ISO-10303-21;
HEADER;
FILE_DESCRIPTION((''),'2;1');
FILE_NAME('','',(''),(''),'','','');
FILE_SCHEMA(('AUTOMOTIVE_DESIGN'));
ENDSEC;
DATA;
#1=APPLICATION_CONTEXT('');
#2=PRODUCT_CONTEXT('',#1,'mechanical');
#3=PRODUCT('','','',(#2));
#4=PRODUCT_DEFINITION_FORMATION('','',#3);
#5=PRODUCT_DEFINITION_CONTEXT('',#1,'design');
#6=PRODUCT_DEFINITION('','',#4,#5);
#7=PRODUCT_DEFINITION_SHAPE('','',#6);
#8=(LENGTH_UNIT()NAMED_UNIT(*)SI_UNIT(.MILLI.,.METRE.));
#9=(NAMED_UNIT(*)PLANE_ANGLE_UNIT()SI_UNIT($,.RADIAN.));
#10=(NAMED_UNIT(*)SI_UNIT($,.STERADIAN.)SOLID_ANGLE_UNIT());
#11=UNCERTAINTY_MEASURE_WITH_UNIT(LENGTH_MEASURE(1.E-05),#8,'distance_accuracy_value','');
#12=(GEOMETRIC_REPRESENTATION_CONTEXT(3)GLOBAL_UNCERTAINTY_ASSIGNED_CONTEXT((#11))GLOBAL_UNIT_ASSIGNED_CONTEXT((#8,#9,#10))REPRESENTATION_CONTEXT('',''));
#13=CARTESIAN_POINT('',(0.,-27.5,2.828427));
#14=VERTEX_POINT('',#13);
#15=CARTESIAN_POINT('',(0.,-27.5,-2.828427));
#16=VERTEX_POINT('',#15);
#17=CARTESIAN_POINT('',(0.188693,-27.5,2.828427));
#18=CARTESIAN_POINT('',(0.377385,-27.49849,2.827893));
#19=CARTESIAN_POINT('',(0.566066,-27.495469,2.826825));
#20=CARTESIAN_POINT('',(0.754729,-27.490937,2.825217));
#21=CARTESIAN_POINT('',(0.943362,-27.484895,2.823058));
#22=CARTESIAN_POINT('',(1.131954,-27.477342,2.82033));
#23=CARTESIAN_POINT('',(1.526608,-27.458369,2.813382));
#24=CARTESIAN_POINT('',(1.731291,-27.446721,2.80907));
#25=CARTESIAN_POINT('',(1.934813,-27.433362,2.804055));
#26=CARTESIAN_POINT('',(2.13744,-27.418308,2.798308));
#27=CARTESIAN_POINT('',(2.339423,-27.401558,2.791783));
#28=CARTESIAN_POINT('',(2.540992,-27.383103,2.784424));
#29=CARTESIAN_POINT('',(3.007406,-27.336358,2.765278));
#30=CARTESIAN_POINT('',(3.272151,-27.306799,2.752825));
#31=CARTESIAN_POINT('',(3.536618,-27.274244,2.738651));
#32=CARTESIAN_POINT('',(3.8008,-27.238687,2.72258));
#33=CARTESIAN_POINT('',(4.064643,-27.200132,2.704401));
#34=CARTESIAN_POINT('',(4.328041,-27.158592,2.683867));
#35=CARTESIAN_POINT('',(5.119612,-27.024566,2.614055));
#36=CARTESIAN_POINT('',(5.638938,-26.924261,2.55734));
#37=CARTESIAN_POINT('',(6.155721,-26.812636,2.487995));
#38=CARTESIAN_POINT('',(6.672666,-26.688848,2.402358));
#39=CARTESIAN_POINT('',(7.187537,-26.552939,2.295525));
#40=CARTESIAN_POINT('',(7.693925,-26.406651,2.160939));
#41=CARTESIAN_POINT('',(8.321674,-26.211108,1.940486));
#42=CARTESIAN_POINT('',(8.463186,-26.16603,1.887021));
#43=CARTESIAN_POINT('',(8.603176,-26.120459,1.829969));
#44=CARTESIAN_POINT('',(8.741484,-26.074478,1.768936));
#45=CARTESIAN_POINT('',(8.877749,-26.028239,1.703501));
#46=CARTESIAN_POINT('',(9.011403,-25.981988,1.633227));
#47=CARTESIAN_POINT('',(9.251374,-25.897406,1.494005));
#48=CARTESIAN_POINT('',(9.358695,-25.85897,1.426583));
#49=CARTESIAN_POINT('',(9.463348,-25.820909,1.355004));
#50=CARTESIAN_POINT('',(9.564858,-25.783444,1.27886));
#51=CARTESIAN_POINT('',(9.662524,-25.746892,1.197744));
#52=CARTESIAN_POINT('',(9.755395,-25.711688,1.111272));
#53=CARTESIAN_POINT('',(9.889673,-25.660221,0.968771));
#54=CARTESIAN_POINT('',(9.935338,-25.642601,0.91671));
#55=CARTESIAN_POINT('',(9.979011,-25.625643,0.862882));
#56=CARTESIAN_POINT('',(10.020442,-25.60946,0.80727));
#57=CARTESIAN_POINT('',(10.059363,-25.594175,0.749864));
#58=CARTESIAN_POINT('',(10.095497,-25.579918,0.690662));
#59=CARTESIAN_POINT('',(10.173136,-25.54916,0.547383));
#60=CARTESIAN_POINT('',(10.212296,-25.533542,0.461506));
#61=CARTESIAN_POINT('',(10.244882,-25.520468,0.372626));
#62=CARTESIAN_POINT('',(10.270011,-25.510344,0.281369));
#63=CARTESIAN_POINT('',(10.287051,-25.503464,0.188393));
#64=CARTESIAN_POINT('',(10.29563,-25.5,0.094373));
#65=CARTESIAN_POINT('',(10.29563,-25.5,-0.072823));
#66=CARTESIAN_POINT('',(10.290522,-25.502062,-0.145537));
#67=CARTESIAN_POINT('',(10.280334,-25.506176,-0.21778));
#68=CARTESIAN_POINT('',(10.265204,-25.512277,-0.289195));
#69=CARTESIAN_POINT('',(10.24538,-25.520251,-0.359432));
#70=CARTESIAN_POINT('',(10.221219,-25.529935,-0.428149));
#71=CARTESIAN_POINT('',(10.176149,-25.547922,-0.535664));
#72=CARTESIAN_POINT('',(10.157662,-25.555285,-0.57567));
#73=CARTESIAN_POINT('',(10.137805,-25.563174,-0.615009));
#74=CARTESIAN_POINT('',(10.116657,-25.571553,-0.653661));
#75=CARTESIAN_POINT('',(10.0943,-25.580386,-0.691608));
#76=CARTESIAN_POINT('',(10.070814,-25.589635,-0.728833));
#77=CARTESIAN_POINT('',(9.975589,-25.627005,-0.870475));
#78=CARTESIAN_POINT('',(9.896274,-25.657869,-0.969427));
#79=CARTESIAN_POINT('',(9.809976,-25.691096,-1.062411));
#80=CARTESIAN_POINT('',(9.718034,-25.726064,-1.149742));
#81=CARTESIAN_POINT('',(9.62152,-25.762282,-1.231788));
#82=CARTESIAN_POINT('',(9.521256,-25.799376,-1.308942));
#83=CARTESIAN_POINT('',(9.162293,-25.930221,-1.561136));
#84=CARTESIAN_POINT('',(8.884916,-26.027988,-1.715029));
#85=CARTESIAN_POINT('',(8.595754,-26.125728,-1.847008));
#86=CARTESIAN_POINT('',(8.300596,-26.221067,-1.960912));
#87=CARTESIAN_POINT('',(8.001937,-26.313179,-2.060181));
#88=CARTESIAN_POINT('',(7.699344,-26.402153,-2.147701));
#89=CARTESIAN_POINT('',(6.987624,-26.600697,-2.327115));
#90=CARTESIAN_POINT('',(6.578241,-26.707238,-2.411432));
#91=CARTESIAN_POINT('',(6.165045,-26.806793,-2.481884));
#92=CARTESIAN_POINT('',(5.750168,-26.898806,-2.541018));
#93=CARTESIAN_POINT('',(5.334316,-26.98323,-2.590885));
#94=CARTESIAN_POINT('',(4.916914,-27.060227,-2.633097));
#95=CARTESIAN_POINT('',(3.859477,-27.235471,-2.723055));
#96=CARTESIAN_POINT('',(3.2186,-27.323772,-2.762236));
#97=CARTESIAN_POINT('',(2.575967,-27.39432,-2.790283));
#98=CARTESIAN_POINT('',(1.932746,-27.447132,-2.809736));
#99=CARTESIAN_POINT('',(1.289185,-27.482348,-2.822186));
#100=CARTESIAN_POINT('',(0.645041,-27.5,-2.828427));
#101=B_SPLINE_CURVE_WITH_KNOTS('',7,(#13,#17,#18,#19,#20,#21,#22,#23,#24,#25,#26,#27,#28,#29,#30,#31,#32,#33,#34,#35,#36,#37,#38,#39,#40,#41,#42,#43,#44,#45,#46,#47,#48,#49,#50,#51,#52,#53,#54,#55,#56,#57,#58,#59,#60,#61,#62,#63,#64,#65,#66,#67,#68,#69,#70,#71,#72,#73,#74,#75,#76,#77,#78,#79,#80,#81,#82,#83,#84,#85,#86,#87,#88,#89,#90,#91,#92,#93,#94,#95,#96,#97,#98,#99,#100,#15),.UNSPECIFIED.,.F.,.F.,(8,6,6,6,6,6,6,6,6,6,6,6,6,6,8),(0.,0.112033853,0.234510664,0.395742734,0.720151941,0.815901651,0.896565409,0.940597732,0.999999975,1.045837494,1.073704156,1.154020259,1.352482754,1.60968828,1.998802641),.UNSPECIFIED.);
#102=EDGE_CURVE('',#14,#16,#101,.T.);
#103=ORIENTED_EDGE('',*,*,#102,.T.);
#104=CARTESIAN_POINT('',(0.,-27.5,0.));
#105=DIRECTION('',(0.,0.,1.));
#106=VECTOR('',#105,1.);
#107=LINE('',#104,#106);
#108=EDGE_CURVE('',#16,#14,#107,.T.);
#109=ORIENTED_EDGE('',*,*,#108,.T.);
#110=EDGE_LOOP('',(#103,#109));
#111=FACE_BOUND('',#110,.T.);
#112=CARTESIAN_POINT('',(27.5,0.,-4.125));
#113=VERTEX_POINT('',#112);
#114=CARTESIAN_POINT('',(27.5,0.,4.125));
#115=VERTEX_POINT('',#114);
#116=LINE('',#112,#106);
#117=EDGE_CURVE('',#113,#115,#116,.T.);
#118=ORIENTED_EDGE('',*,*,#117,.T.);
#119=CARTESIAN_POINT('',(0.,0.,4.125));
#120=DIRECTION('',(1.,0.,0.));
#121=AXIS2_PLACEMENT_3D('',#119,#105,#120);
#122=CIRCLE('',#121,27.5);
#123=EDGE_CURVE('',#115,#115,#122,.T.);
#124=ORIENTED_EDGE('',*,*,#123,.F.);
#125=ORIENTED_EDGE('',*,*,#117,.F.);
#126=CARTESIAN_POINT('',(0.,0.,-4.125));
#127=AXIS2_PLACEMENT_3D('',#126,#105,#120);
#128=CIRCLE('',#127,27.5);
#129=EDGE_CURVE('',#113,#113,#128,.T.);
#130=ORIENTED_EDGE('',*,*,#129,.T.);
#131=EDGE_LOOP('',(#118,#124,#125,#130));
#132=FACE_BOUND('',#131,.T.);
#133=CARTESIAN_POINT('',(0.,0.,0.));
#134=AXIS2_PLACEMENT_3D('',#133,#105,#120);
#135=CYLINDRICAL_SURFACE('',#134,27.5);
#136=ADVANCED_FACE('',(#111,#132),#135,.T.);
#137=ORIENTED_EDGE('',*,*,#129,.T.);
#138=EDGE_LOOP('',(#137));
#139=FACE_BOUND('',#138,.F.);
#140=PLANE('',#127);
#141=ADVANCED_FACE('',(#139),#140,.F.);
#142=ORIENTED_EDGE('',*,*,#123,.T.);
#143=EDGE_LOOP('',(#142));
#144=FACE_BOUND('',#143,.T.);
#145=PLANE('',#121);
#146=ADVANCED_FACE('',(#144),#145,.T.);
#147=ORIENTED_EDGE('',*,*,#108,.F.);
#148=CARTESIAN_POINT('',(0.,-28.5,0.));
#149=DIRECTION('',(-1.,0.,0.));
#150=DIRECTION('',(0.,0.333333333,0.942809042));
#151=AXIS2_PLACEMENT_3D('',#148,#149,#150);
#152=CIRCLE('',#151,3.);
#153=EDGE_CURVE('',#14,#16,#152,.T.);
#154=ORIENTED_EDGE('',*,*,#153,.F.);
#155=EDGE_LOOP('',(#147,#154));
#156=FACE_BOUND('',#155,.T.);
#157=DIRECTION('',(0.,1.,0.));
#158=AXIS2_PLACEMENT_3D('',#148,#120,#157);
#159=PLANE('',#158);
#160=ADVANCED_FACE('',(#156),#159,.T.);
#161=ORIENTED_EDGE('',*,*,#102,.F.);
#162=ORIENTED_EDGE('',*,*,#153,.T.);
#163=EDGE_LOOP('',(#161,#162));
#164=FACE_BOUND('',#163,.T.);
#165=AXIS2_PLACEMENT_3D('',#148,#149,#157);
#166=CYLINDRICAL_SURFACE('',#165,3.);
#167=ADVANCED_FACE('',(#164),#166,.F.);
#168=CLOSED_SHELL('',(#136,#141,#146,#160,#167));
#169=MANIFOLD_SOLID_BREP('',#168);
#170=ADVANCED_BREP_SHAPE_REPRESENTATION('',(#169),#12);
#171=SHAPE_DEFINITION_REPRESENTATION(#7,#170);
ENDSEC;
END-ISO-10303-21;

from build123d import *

# Parameters (mm, degrees)
F0_R     = 27.5
F1_DEPTH = 4.125
F2_R     = 3
F3_DEPTH = 25


with BuildPart() as f1:
    # F0 (on Top) → F1 (new body, symmetric)
    with BuildSketch(Plane.XY):
        Circle(F0_R)
    extrude(amount=F1_DEPTH, both=True)

    # F2 (on Right) → F3 (cut)
    with BuildSketch(Plane.YZ):
        with Locations((-28.5, 0)):
            Circle(F2_R)
    extrude(amount=F3_DEPTH, mode=Mode.SUBTRACT)


solid = f1.part
